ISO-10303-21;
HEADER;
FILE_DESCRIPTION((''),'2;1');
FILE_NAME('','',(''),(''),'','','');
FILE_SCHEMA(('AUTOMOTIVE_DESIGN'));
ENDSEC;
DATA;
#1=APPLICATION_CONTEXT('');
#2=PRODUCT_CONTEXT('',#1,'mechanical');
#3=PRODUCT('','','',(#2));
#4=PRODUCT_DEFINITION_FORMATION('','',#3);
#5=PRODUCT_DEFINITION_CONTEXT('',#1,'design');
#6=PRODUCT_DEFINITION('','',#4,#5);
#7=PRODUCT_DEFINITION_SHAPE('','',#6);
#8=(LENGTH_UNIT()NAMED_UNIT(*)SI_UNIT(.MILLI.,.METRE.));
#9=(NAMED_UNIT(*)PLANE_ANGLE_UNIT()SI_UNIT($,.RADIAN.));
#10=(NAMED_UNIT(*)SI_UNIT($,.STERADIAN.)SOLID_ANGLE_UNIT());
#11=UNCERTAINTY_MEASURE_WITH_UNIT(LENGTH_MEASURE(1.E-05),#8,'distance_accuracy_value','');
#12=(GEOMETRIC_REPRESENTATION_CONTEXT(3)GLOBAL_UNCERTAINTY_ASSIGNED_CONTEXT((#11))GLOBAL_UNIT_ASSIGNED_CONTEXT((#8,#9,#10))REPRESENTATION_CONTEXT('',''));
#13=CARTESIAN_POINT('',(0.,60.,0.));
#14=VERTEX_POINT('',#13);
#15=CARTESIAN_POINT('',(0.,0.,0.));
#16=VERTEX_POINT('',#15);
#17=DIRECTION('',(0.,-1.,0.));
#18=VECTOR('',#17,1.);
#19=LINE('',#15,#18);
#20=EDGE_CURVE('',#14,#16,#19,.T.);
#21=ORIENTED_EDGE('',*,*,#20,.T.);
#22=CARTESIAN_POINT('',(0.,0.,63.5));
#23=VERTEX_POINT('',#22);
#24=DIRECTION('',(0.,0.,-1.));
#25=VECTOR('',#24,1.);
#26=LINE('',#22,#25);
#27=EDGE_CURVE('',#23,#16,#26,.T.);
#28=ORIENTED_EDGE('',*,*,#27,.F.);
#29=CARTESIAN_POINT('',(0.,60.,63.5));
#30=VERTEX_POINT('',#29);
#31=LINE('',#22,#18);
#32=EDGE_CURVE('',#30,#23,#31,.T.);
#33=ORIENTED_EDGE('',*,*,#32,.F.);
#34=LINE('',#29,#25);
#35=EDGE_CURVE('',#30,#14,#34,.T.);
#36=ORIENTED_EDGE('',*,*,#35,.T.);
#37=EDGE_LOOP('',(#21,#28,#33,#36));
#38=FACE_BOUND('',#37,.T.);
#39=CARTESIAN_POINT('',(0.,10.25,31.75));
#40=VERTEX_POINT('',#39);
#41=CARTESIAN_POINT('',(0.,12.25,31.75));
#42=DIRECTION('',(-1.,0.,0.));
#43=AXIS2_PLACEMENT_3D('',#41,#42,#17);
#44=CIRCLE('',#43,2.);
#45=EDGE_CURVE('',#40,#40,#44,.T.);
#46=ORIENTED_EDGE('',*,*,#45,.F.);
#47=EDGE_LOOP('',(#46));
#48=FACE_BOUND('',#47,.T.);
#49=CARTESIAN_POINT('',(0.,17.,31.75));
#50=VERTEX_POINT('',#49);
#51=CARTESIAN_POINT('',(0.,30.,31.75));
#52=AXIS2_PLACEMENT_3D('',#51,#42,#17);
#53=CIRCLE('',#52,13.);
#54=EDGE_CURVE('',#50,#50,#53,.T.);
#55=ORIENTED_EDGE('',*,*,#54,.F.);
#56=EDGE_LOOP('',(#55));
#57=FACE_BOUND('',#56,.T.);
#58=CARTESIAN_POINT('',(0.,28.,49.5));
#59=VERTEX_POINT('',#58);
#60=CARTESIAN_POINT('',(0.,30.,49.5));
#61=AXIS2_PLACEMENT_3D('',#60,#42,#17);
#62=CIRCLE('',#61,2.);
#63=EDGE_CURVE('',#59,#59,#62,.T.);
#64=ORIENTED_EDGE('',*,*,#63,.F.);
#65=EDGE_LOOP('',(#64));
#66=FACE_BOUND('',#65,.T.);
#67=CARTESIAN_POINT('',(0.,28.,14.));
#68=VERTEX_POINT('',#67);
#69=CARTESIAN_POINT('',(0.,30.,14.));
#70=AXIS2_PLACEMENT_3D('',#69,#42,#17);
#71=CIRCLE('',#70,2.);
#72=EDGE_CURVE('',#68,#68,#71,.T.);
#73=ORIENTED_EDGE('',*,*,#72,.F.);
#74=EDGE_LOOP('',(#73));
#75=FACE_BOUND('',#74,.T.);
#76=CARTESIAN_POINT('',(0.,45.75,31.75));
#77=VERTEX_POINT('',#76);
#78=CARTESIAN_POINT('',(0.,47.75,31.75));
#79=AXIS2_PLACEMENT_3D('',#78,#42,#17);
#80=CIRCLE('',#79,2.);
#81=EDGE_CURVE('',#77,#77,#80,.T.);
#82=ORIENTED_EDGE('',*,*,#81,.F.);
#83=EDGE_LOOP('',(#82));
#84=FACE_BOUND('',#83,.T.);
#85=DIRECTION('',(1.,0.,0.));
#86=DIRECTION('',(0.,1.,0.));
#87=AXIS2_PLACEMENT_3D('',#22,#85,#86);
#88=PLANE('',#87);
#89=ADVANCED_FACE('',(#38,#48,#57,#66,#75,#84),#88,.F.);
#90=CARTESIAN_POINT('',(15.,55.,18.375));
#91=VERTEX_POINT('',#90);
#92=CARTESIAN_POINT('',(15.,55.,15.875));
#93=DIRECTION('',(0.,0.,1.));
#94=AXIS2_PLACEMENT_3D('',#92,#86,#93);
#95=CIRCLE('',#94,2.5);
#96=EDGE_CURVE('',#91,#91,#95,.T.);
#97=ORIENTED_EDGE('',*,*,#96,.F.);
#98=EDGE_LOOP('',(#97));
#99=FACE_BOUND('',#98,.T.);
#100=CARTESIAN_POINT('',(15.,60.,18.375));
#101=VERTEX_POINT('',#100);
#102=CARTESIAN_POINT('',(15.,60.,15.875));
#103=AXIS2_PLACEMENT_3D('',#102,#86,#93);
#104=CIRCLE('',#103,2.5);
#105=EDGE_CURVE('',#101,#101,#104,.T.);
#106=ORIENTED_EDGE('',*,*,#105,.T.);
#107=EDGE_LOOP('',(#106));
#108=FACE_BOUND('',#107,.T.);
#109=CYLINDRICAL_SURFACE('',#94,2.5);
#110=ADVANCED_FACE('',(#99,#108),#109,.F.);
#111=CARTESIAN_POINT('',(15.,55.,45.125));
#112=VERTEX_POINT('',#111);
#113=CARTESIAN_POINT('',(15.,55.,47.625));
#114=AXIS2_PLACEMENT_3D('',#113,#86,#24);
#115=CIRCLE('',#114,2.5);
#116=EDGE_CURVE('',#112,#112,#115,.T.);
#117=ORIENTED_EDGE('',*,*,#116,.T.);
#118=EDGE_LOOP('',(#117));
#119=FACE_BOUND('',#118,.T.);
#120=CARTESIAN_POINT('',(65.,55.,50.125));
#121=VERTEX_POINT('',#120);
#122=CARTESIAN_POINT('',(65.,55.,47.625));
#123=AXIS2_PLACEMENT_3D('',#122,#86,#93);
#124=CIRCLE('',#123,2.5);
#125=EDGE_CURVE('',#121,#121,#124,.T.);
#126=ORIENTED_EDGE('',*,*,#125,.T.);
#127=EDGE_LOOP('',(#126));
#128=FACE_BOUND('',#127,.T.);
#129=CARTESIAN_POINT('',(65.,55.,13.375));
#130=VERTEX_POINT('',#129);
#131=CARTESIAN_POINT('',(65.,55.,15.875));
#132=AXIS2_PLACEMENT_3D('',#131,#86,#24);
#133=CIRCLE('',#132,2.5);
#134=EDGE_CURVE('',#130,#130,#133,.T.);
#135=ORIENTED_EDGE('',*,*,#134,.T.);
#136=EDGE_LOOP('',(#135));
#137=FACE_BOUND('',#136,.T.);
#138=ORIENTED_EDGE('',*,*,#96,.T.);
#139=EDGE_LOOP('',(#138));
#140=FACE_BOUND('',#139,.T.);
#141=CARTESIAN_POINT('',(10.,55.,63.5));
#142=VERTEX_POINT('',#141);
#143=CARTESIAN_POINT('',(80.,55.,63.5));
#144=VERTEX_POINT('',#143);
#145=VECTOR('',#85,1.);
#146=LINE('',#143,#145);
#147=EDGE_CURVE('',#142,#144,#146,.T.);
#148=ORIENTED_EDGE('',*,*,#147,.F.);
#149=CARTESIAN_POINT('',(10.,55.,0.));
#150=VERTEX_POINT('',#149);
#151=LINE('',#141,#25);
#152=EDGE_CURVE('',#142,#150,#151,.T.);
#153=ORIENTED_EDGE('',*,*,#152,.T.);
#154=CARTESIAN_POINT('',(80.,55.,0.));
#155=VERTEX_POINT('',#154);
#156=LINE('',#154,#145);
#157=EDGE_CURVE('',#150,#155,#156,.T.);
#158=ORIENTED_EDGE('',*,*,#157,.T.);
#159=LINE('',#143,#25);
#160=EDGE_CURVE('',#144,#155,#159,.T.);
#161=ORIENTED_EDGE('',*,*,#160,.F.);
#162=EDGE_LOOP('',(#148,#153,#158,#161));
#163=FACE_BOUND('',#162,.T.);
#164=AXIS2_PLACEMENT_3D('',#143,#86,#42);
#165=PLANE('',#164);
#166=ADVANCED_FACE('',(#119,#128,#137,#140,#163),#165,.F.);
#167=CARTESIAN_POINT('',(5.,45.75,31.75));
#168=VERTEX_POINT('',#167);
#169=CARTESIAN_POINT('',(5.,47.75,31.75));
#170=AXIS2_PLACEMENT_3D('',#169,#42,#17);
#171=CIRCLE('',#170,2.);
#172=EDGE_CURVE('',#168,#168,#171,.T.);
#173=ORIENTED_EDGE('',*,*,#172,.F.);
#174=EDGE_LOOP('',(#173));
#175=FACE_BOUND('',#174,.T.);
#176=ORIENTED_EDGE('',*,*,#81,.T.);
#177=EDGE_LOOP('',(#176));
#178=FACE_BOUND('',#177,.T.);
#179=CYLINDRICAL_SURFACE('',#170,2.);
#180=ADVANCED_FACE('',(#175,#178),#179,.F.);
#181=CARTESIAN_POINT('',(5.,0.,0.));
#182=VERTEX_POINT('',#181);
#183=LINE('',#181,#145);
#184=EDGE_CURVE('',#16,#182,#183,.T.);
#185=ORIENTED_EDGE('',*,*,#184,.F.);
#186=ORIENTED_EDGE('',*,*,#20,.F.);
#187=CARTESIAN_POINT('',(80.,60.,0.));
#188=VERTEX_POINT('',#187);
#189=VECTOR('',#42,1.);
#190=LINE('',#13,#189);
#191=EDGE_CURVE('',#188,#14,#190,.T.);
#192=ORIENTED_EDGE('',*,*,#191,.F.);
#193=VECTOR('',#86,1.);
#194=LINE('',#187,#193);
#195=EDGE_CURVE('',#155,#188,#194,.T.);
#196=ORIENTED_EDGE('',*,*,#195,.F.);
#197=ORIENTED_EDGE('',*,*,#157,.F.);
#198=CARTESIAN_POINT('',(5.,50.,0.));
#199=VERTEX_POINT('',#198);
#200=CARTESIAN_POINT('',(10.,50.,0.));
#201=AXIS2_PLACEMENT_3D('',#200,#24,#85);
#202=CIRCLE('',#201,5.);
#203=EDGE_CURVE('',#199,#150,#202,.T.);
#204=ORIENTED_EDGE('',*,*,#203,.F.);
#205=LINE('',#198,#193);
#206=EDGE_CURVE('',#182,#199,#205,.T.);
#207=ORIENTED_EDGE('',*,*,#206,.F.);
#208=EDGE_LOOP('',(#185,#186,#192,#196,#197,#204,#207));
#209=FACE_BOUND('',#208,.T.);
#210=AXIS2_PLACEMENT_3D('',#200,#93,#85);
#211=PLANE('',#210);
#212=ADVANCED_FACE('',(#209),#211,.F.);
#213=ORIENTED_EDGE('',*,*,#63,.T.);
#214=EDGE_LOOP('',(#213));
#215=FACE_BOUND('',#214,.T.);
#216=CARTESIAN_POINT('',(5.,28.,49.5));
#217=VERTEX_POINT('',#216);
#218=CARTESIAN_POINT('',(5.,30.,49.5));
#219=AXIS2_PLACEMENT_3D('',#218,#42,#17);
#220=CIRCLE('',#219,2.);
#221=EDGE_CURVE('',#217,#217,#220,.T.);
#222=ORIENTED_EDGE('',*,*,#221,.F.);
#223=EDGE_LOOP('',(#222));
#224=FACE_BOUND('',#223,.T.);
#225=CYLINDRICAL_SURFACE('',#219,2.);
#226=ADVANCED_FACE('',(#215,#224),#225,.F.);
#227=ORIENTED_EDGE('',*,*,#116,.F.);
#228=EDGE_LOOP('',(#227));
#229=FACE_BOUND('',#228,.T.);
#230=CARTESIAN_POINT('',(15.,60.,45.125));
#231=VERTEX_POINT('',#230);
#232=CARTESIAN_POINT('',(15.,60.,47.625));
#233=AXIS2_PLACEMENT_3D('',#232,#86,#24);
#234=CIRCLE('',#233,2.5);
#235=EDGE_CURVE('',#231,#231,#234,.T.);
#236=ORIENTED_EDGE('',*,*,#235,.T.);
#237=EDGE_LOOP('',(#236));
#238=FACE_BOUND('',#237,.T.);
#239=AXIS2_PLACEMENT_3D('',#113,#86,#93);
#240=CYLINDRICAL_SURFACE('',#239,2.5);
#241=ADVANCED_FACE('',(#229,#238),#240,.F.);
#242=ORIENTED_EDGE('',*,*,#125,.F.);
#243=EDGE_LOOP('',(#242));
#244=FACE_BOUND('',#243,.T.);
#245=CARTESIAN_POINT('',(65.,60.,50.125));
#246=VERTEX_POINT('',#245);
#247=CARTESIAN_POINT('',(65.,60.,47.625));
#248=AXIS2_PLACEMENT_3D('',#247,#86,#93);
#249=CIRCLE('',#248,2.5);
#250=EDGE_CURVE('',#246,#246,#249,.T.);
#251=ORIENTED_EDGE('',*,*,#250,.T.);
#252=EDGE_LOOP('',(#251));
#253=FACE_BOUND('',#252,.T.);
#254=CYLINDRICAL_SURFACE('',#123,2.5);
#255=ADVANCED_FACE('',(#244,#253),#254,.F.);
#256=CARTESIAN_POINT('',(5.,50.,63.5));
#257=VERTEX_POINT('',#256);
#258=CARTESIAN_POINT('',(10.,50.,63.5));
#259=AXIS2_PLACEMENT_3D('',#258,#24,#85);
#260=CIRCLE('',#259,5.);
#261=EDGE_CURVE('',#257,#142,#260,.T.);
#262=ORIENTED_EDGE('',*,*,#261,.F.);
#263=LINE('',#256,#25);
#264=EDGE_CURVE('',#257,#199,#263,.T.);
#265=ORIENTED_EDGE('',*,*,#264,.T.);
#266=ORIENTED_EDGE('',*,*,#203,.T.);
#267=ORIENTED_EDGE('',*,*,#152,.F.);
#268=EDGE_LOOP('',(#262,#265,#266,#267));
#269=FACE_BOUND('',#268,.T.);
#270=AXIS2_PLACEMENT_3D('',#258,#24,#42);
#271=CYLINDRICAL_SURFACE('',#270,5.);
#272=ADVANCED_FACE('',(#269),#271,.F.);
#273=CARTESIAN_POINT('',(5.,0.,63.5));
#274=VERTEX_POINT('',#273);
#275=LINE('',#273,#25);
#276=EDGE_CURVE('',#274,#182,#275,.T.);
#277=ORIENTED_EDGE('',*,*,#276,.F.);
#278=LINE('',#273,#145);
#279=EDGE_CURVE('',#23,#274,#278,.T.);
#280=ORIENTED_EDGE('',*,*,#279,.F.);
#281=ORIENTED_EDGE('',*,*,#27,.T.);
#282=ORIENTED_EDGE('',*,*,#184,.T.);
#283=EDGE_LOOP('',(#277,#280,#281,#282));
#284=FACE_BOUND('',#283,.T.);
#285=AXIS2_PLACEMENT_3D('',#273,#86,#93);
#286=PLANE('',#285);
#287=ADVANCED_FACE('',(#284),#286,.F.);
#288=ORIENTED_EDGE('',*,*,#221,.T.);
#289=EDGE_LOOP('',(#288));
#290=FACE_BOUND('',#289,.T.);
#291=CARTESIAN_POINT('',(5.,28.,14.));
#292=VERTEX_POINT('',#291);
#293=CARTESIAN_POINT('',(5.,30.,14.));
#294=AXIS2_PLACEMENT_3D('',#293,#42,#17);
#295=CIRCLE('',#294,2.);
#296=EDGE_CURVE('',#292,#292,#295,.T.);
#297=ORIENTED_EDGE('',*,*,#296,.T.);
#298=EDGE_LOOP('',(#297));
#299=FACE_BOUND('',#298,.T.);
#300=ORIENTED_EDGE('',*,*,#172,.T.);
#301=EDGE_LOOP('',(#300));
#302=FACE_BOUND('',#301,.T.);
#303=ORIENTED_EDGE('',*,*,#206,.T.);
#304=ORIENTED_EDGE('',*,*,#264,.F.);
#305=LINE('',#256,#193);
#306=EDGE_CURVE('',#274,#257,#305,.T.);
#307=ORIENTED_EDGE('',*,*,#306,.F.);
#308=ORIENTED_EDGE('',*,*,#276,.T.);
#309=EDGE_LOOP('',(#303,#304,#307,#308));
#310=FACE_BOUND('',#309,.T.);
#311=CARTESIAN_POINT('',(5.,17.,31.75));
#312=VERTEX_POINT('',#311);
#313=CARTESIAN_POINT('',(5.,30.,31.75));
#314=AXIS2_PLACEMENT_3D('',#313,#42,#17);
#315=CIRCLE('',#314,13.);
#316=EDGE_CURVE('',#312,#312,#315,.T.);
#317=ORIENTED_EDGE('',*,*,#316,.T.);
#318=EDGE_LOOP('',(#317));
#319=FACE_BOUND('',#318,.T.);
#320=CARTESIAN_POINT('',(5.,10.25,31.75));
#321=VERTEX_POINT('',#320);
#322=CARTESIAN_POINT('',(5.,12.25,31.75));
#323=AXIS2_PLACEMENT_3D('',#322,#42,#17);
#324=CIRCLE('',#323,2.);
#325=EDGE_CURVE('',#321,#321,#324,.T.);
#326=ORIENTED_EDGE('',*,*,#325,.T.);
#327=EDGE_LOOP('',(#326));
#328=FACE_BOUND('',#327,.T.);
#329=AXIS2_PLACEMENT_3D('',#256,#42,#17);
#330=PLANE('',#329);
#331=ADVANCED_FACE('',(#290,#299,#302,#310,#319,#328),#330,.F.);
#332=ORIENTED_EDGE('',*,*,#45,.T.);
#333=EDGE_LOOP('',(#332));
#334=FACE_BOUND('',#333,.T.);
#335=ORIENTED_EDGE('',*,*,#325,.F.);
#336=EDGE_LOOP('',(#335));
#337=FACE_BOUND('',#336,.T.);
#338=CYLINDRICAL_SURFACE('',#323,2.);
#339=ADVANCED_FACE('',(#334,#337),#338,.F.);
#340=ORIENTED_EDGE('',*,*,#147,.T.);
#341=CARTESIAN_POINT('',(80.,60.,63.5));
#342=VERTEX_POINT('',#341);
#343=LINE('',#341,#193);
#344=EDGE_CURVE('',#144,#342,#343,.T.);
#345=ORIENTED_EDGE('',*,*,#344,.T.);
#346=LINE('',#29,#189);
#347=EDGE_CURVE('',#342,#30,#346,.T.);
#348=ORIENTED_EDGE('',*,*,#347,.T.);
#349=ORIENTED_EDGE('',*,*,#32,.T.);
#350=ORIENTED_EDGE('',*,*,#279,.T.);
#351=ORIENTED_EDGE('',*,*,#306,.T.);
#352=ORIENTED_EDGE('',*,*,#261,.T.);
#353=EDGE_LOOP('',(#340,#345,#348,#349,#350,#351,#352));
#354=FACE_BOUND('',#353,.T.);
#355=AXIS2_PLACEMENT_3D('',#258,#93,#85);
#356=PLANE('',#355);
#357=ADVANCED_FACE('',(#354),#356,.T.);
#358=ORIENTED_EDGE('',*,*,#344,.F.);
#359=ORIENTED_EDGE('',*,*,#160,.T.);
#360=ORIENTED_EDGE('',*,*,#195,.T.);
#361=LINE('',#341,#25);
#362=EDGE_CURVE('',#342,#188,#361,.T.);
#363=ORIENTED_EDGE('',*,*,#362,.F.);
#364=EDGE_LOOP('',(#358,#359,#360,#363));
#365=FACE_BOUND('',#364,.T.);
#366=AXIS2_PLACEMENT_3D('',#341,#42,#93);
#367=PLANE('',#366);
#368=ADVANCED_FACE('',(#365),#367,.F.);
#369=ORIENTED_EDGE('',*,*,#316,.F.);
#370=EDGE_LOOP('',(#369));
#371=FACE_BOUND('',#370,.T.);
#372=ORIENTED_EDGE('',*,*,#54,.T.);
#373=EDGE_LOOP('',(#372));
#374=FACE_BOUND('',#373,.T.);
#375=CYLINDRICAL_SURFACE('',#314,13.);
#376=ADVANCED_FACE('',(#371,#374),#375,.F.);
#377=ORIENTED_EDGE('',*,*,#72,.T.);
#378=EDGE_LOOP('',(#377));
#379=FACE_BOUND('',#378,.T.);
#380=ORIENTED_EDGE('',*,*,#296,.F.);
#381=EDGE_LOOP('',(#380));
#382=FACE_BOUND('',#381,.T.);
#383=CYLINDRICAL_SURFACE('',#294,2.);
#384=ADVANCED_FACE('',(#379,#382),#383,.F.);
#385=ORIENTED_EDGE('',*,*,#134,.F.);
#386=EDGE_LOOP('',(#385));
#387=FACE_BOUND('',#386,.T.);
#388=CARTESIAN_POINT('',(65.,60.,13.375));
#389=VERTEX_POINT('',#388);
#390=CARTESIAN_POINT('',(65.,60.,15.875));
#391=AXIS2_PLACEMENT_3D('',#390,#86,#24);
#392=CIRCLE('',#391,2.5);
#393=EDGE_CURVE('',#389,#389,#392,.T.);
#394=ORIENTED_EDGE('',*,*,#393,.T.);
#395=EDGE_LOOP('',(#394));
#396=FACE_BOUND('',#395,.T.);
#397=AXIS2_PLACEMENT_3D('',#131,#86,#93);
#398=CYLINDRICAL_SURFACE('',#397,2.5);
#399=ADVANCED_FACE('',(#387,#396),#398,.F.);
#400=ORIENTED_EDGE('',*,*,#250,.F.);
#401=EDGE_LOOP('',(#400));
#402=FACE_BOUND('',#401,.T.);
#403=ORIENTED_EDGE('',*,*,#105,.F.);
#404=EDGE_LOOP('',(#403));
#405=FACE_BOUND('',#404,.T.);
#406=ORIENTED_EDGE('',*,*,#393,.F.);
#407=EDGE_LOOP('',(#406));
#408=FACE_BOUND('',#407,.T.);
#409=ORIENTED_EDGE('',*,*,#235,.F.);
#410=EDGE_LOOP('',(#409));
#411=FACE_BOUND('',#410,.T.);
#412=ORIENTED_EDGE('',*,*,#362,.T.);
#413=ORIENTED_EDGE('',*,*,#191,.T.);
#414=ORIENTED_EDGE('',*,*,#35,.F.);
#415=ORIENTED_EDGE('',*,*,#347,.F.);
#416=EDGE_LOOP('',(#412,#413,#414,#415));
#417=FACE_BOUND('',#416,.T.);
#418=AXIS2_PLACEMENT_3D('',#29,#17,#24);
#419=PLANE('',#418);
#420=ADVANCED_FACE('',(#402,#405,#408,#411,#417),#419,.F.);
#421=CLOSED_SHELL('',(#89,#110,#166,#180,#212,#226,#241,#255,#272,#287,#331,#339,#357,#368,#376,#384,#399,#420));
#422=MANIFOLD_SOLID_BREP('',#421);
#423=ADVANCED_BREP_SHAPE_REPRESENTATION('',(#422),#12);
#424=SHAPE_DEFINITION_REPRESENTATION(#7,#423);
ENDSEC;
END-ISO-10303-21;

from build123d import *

# Parameters (mm, degrees)
BOSS_EXTRUDE1_DEPTH = 63.5
SKETCH2_R           = 13
SKETCH2_R_2         = 2
CUT_EXTRUDE1_DEPTH  = 5
SKETCH3_R           = 2.5
CUT_EXTRUDE2_DEPTH  = 5


with BuildPart() as part:
    # Sketch1 → Boss-Extrude1 (new body)
    with BuildSketch(Plane.XY):
        with BuildLine():
            Line((0, 0), (0, 60))
            Line((0, 60), (80, 60))
            Line((80, 60), (80, 55))
            Line((80, 55), (10, 55))
            ThreePointArc((10, 55), (6.464466094, 53.535533906), (5, 50))
            Line((5, 50), (5, 0))
            Line((5, 0), (0, 0))
        make_face()
    extrude(amount=BOSS_EXTRUDE1_DEPTH)

    # Sketch2 → Cut-Extrude1 (cut)
    with BuildSketch(Plane.ZY):
        with Locations((31.75, 30)):
            Circle(SKETCH2_R)
        with Locations((49.5, 30)):
            Circle(SKETCH2_R_2)
        with Locations((31.75, 12.25)):
            Circle(SKETCH2_R_2)
        with Locations((14, 30)):
            Circle(SKETCH2_R_2)
        with Locations((31.75, 47.75)):
            Circle(SKETCH2_R_2)
    extrude(amount=-CUT_EXTRUDE1_DEPTH, mode=Mode.SUBTRACT)

    # Sketch3 → Cut-Extrude2 (cut)
    with BuildSketch(Plane(origin=(0, 60, 0), x_dir=(1, 0, 0), z_dir=(0, 1, 0))):
        with Locations((15, -15.875)):
            Circle(SKETCH3_R)
        with Locations((65, -15.875)):
            Circle(SKETCH3_R)
        with Locations((65, -47.625)):
            Circle(SKETCH3_R)
        with Locations((15, -47.625)):
            Circle(SKETCH3_R)
    extrude(amount=-CUT_EXTRUDE2_DEPTH, mode=Mode.SUBTRACT)


solid = part.part
